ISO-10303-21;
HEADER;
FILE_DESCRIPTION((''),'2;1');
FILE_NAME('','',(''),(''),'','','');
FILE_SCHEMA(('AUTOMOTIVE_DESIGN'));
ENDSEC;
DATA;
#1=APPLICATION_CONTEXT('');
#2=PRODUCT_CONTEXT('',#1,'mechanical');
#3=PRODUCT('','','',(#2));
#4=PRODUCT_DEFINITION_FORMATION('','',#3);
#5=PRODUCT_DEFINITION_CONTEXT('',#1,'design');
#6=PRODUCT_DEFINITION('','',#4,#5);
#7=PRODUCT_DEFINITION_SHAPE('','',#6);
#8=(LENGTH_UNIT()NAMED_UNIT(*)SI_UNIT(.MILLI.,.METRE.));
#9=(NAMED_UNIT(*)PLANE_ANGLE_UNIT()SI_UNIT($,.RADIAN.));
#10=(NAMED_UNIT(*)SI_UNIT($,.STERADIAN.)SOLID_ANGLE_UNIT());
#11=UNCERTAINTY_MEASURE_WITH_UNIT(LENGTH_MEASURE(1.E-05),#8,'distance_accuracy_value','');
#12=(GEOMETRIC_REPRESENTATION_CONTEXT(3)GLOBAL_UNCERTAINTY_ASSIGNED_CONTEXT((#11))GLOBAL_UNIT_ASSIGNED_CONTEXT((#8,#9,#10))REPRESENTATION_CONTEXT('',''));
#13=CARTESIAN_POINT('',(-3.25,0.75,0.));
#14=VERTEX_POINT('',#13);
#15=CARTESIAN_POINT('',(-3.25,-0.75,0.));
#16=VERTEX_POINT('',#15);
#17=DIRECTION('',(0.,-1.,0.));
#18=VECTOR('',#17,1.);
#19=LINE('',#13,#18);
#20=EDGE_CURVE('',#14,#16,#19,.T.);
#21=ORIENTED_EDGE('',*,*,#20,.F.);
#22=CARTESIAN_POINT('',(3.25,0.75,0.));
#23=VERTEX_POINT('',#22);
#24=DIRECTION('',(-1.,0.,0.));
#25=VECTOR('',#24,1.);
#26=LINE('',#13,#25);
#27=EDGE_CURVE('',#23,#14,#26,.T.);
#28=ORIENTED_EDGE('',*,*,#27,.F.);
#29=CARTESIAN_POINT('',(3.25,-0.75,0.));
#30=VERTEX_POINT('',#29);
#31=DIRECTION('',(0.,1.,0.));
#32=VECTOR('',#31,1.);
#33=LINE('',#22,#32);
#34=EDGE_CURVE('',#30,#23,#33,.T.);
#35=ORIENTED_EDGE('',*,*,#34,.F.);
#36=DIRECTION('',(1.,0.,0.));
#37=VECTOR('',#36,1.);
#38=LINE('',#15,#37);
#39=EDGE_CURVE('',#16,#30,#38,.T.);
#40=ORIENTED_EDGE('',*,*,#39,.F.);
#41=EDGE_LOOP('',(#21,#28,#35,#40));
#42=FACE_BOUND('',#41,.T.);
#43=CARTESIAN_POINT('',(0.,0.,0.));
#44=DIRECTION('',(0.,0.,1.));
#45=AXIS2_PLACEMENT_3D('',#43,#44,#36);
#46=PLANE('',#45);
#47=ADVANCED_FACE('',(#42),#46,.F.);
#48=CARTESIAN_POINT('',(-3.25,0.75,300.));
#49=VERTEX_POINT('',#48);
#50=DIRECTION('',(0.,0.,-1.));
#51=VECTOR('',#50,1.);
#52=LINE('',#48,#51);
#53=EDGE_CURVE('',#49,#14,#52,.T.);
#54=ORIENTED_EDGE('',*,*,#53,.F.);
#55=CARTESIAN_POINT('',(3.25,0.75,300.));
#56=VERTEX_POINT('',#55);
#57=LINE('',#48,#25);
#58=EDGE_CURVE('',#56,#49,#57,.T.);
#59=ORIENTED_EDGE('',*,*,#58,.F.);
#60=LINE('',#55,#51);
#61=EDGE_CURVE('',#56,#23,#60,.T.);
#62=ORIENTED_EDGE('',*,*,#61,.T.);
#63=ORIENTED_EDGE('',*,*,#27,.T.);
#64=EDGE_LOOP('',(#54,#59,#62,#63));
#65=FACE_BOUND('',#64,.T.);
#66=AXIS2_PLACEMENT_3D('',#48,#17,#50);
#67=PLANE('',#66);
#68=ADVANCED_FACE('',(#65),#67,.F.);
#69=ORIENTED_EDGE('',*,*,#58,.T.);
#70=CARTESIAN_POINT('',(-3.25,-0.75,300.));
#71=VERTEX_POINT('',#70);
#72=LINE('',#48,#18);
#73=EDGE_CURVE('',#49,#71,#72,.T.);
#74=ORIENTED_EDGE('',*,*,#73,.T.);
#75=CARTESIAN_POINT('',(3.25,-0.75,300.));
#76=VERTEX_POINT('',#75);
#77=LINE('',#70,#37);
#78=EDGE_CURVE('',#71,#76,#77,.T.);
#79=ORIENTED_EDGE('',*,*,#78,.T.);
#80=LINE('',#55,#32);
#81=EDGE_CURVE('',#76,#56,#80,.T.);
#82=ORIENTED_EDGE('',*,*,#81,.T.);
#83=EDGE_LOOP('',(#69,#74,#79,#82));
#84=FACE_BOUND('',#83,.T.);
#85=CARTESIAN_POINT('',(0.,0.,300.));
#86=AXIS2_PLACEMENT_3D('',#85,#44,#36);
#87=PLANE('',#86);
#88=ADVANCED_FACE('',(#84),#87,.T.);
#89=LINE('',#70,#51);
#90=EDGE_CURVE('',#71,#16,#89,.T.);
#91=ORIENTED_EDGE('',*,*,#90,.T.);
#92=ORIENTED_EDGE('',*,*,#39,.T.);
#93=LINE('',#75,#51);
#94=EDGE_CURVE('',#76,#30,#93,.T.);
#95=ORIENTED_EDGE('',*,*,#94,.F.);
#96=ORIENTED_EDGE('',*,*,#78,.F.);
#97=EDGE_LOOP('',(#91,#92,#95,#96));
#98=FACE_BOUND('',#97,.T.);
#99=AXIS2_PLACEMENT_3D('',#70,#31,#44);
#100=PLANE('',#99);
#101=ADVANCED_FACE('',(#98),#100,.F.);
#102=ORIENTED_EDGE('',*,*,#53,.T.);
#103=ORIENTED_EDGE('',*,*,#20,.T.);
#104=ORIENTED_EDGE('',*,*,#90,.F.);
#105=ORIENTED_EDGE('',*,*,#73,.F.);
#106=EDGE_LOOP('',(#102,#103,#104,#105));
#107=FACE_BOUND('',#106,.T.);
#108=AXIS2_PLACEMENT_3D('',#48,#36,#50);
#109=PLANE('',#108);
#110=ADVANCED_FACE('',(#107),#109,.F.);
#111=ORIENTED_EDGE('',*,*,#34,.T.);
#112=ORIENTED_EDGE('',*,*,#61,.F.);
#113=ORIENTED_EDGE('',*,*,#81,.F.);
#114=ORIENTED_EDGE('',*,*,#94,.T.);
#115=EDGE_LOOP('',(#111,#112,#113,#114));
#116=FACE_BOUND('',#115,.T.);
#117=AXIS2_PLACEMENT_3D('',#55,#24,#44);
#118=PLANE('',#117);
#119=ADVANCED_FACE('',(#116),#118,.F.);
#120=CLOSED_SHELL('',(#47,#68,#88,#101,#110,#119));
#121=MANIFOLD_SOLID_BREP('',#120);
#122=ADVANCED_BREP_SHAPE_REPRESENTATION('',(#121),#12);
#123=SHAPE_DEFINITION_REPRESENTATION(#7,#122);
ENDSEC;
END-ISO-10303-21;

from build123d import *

# Parameters (mm, degrees)
ESBO_O1_W                = 6.5
ESBO_O1_H                = 1.5
RESSALTO_EXTRUS_O1_DEPTH = 300


with BuildPart() as part:
    # Esboço1 → Ressalto-extrusão1 (new body)
    with BuildSketch(Plane.XY):
        Rectangle(ESBO_O1_W, ESBO_O1_H)
    extrude(amount=RESSALTO_EXTRUS_O1_DEPTH)


solid = part.part
